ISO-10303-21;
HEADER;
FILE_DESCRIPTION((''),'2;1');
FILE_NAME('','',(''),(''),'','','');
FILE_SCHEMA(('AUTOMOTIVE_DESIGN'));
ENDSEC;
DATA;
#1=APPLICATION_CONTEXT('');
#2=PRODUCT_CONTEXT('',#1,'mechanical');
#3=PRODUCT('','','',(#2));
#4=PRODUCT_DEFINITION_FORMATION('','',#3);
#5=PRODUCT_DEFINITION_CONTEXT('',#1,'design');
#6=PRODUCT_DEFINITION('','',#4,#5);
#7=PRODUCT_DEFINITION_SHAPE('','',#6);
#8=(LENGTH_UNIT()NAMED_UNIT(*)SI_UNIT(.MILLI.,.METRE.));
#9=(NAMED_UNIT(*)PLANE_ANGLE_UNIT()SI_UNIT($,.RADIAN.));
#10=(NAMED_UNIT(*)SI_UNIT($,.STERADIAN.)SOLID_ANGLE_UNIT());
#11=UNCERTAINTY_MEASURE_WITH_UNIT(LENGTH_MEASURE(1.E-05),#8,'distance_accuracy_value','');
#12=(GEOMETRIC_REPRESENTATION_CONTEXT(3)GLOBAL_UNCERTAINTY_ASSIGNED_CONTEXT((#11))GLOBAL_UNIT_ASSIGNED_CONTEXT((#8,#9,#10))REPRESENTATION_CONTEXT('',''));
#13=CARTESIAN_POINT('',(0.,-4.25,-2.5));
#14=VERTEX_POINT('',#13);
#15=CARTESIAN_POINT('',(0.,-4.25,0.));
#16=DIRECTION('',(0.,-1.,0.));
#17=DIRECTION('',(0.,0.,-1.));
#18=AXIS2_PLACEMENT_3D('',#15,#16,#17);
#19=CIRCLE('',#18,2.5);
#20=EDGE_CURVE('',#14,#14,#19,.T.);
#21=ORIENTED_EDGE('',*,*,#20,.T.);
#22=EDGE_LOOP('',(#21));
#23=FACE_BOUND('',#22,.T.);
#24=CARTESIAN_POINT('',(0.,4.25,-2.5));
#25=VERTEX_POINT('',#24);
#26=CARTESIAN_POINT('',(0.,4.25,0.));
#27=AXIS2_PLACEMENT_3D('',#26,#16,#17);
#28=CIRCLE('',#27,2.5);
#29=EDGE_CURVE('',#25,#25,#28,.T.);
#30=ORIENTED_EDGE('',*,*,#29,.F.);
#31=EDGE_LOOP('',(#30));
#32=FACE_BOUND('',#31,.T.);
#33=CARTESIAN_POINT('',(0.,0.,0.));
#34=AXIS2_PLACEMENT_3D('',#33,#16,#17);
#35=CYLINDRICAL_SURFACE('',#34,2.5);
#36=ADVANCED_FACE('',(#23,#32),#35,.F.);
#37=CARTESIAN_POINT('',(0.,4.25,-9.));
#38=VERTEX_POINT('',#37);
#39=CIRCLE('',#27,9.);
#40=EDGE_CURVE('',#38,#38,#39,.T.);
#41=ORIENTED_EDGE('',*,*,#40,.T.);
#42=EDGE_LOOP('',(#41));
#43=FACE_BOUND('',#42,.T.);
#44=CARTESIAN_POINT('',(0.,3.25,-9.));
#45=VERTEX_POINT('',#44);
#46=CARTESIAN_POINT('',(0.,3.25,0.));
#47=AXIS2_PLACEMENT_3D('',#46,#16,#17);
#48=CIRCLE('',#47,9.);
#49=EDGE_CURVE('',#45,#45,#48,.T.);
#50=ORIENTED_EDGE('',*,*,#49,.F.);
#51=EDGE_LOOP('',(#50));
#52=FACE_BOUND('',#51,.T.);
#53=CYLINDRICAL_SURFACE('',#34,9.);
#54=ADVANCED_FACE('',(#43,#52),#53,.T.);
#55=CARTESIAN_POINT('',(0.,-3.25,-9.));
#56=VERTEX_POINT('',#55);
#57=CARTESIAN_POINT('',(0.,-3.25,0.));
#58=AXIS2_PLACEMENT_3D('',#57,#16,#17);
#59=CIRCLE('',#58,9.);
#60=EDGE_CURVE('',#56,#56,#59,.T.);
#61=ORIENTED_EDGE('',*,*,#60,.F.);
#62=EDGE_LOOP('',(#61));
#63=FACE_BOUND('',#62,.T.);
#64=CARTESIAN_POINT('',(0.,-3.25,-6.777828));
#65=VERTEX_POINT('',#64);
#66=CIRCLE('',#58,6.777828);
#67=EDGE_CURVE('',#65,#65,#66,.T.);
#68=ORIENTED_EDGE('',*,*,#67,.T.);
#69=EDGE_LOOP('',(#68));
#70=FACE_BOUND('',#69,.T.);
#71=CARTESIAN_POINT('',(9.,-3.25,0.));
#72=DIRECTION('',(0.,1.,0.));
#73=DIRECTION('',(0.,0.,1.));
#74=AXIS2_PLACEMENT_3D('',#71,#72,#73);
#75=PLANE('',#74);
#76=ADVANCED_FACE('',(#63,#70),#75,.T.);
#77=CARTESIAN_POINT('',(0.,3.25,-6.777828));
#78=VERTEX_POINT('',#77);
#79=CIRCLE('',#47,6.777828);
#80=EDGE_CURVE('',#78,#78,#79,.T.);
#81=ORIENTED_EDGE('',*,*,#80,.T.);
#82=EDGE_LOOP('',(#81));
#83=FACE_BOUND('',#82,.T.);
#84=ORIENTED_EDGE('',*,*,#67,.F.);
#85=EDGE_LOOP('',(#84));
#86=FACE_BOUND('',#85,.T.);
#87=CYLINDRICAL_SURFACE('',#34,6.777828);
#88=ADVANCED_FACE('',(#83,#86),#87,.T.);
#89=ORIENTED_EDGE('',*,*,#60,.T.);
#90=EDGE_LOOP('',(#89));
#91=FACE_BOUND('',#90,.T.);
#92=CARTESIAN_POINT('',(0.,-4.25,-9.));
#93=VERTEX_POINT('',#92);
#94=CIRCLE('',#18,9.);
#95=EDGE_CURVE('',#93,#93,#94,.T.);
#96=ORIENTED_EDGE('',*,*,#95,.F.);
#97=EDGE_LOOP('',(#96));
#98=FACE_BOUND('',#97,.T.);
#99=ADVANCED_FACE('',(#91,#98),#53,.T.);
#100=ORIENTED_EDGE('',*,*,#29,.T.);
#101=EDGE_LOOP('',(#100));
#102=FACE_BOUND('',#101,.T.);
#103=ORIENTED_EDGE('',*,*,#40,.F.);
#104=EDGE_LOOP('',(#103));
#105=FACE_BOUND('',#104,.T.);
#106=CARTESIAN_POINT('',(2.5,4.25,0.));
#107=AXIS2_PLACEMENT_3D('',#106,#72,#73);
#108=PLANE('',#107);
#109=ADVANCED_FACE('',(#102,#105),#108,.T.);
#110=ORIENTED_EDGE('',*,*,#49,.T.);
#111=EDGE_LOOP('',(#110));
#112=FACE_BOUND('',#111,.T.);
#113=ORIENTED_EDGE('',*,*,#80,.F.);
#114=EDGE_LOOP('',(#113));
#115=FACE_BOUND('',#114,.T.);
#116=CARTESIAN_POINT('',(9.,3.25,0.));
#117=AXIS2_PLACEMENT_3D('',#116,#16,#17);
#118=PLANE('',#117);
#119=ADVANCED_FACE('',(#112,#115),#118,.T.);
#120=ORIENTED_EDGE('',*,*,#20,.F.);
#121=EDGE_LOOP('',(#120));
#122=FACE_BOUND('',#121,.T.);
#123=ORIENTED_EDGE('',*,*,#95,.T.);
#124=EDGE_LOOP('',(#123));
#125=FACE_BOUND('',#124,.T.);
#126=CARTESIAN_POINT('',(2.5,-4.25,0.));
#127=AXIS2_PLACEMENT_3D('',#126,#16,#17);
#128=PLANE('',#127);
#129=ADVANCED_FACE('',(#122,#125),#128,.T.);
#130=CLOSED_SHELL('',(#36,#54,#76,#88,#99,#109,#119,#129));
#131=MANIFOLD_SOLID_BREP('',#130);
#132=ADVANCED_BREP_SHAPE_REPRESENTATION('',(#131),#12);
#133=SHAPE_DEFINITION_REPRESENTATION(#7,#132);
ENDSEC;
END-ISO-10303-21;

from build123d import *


with BuildPart() as part:
    # Sketch1 → Revolve1 (revolve)
    with BuildSketch(Plane.XY, mode=Mode.PRIVATE) as revolve1_sk:
        Polygon((2.5, 4.25), (9, 4.25), (9, 3.25), (6.777827795, 3.25), (6.777827795, -3.25), (9, -3.25), (9, -4.25), (2.5, -4.25), align=None)
    revolve(revolve1_sk.sketch.rotate(Axis((0, 0, 0), (0, 1, 0)), 90), axis=Axis((0, 0, 0), (0, 1, 0)))


solid = part.part
